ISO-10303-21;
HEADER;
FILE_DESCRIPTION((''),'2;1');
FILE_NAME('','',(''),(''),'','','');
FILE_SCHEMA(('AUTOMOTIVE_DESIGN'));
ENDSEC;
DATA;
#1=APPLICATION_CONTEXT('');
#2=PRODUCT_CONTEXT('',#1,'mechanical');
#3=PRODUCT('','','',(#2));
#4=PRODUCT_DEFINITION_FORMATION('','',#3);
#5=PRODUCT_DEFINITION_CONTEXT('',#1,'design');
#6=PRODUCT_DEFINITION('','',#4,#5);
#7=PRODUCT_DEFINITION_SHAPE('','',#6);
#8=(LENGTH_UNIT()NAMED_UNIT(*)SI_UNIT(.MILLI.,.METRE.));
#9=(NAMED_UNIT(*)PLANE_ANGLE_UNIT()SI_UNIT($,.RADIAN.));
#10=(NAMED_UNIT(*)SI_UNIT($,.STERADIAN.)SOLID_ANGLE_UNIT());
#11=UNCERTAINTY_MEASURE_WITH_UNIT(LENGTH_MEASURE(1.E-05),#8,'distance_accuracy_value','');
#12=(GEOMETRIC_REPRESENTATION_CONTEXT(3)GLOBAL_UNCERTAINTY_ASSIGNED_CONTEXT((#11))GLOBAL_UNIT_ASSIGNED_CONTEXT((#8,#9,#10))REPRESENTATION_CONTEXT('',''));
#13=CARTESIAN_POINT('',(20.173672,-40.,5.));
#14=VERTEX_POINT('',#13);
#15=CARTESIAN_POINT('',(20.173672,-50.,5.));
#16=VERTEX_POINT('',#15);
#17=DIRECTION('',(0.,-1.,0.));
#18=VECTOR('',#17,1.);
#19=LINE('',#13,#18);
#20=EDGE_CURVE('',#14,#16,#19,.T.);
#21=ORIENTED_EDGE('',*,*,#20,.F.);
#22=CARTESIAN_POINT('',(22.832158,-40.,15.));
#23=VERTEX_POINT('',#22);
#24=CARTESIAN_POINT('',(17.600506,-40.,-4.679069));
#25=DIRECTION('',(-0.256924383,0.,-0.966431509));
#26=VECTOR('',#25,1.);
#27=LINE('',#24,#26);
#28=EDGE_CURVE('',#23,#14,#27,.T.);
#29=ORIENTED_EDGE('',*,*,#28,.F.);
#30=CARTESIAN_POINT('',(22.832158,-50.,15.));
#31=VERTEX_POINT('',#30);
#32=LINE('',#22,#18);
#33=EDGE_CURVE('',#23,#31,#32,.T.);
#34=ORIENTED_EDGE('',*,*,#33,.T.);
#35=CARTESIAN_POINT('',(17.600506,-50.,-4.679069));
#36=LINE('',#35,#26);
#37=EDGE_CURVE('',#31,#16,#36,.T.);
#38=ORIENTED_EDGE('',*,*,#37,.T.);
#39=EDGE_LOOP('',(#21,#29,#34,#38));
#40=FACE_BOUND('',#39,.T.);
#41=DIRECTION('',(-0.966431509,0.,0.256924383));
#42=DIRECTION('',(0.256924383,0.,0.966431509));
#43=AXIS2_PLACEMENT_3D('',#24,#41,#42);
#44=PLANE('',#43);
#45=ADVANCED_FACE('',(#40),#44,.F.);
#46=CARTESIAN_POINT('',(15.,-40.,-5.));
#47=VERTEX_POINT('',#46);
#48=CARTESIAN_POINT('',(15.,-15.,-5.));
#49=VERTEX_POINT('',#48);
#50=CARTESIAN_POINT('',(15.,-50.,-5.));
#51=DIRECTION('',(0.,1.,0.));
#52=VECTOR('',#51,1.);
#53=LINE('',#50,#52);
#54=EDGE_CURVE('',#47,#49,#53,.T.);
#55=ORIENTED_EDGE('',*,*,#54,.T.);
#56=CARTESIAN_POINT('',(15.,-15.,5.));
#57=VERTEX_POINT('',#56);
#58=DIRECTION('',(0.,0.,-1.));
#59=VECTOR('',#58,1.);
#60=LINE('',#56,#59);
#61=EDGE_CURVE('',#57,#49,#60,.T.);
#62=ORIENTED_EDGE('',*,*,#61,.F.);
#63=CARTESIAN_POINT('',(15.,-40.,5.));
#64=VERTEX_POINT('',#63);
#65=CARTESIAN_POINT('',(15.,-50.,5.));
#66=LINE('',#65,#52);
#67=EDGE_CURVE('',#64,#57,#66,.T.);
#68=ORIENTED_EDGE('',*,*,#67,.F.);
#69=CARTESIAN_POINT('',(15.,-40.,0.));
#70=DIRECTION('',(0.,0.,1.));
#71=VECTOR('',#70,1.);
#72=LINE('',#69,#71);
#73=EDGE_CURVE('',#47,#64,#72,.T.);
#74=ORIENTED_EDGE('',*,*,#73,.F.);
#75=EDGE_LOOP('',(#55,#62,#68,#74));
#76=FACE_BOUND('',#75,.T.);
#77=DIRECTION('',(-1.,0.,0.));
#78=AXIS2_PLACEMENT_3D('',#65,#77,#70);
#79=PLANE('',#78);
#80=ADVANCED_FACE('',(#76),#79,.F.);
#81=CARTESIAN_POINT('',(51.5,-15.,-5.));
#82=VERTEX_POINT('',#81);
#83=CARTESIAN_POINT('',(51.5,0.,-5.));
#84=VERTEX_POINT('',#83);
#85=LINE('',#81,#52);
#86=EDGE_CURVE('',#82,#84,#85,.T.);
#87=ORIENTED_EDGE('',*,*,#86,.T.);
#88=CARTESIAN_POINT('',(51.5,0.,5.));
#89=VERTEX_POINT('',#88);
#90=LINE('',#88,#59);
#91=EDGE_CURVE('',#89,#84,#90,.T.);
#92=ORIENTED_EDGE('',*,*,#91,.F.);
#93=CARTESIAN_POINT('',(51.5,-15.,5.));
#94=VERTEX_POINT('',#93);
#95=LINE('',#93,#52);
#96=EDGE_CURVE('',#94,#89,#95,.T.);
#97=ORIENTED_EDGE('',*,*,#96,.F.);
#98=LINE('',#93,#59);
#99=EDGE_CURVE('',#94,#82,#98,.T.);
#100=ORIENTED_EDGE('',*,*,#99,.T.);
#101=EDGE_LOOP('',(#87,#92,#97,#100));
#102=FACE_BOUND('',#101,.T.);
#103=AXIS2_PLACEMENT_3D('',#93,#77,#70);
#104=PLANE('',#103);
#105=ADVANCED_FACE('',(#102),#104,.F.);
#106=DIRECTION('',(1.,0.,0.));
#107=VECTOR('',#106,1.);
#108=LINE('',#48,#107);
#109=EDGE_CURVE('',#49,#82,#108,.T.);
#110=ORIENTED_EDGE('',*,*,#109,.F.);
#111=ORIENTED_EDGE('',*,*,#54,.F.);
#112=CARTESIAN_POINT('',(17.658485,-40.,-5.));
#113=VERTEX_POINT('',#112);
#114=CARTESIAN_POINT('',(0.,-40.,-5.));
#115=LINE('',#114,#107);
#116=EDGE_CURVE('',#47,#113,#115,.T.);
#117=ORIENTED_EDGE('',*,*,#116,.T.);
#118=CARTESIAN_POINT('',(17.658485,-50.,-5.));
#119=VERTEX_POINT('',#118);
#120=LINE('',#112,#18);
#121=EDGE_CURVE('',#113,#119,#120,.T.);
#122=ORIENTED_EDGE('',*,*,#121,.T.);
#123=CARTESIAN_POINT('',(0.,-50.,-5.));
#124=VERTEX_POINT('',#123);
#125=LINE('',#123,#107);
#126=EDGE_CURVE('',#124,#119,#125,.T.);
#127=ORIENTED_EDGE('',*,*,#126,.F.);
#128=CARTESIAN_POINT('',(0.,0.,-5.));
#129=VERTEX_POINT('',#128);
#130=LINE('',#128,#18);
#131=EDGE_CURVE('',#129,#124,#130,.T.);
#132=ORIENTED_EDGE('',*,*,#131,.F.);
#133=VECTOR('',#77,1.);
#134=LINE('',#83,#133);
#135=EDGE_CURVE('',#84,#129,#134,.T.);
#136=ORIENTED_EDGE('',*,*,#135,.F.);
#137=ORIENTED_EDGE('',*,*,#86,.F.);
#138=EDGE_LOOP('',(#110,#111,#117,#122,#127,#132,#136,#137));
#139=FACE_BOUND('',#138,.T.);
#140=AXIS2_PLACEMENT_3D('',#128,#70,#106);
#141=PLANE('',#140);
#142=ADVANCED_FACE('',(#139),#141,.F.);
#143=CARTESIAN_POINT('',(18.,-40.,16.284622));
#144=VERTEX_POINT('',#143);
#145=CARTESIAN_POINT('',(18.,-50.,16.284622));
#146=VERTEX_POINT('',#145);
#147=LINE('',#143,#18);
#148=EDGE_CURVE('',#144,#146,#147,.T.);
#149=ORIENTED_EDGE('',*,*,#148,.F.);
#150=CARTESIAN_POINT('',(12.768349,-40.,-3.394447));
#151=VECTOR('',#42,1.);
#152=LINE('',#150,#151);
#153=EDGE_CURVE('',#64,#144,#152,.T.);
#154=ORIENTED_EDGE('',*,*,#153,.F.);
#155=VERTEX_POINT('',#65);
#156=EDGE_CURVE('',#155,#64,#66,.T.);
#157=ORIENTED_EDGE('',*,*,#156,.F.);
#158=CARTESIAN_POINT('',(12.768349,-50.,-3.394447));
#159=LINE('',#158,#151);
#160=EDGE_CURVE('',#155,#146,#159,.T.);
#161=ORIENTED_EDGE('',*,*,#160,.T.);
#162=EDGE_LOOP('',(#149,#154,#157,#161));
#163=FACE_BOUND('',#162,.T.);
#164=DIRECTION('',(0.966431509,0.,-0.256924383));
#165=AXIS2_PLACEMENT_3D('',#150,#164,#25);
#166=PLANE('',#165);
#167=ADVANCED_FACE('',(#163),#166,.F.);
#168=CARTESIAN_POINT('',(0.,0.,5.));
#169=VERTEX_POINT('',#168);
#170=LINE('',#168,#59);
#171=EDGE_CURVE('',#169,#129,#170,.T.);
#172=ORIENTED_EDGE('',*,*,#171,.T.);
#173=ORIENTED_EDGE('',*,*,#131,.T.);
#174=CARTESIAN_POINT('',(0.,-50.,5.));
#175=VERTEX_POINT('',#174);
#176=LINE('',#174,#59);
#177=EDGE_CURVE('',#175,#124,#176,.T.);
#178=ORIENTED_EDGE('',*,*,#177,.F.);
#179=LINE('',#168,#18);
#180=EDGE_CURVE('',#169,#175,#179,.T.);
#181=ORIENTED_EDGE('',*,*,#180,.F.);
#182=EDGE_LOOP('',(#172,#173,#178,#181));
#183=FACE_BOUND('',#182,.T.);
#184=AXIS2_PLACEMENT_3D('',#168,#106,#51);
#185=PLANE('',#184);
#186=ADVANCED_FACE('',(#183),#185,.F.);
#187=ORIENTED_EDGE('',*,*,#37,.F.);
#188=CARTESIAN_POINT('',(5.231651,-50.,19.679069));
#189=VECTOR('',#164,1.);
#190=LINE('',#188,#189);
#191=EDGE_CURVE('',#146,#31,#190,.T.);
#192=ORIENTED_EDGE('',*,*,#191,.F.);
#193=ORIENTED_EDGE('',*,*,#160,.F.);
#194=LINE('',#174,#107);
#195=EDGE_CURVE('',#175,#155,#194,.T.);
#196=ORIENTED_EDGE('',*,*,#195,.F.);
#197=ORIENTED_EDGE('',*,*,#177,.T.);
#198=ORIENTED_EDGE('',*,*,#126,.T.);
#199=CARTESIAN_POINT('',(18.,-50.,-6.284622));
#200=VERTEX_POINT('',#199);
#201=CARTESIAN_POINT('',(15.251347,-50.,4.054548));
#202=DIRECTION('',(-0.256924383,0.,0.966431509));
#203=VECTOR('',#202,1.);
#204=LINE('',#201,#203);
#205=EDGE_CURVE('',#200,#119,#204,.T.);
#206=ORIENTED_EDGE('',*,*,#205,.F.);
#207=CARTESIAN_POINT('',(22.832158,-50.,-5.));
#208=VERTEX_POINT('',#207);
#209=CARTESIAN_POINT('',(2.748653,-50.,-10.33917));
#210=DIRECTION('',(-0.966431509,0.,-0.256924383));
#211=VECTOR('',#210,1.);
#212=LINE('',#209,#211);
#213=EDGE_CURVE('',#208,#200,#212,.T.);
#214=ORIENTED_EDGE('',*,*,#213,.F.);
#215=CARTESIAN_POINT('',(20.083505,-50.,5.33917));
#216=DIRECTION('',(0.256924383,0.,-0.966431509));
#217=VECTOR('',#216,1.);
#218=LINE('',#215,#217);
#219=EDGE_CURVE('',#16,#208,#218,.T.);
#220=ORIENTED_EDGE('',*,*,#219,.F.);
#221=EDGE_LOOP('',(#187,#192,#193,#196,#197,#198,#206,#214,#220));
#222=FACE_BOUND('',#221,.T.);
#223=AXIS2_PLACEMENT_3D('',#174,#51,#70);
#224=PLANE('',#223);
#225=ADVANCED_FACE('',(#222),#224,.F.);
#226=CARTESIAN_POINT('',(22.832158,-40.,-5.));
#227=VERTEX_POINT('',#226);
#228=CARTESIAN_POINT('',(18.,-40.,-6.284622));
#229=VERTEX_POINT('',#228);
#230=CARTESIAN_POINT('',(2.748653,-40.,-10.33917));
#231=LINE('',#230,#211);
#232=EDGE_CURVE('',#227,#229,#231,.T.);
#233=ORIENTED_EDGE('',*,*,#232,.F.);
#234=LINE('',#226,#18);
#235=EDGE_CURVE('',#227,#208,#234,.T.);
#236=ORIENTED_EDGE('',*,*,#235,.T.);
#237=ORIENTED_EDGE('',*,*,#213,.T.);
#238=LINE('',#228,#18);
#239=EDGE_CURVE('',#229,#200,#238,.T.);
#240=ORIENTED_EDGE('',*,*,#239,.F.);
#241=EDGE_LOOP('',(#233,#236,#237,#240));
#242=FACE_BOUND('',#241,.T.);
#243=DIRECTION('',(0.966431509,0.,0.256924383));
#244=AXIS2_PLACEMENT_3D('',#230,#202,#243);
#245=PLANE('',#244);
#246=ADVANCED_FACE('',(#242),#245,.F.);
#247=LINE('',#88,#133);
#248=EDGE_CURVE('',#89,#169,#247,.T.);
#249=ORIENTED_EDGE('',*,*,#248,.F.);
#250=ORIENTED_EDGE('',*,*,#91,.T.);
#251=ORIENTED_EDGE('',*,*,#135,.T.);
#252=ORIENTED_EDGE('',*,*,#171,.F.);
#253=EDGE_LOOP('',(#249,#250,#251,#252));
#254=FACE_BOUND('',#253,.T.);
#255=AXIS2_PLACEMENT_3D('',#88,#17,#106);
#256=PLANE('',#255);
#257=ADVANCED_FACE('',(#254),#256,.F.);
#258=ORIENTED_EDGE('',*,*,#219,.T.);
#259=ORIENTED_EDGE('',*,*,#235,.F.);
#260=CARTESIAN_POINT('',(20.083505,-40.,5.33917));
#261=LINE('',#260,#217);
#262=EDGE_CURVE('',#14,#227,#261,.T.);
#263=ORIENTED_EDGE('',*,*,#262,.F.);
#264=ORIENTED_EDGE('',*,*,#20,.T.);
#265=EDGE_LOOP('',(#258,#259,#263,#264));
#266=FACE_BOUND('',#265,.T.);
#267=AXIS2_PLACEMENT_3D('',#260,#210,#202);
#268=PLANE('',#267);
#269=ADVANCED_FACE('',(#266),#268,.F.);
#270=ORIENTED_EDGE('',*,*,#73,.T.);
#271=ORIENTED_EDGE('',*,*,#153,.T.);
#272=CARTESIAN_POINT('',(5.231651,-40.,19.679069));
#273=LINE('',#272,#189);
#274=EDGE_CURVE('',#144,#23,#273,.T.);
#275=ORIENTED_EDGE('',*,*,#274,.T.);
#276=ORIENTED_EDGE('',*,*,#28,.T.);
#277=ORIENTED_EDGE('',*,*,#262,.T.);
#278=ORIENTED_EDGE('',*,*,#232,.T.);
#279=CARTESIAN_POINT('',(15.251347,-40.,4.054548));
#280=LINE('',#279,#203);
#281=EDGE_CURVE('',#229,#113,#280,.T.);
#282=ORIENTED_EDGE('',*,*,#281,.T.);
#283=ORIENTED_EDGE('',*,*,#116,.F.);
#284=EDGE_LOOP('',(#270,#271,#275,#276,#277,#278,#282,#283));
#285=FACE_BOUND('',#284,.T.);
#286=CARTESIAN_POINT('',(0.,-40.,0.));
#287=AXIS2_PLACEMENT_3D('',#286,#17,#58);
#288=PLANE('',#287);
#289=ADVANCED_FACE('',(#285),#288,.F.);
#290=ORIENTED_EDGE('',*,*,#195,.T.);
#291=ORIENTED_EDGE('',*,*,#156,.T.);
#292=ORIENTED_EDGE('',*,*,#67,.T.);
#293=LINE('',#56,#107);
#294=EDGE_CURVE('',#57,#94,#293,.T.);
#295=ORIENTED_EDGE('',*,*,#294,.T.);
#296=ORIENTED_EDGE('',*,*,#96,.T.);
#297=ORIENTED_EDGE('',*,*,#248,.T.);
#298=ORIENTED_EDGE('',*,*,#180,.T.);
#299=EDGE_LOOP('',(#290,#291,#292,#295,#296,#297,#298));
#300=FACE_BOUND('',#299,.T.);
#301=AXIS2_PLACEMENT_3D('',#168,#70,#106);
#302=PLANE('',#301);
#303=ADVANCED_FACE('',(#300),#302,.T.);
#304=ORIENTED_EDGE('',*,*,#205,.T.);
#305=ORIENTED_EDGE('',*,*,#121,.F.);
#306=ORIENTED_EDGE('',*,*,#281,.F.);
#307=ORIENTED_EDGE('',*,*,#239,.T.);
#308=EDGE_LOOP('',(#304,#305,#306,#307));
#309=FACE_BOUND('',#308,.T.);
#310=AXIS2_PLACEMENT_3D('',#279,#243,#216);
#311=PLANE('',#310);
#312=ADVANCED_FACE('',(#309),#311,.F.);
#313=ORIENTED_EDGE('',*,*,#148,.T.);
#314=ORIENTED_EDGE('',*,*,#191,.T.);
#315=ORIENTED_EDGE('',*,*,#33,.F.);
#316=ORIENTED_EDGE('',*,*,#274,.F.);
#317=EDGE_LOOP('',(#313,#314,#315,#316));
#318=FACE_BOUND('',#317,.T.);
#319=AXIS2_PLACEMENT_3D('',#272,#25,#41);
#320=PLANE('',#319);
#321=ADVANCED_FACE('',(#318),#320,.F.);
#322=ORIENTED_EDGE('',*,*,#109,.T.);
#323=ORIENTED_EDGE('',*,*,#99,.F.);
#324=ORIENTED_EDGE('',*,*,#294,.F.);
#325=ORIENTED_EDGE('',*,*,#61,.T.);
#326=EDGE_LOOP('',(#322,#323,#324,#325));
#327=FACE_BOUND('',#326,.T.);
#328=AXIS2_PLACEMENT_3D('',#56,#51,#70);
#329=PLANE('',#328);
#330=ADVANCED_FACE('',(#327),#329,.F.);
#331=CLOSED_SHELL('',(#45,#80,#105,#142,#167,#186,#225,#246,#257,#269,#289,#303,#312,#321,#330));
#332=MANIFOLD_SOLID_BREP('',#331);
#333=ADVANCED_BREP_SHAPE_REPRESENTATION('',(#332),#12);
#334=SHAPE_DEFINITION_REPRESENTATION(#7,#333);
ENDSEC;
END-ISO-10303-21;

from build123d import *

# Parameters (mm, degrees)
BOSS_EXTRUDE1_DEPTH = 5
BOSS_EXTRUDE2_DEPTH = 10


with BuildPart() as part:
    # Sketch1 → Boss-Extrude1 (new, symmetric)
    with BuildSketch(Plane.XY):
        Polygon((51.5, 0), (0, 0), (0, -50), (15, -50), (15, -15), (51.5, -15), align=None)
    extrude(amount=BOSS_EXTRUDE1_DEPTH, both=True)

    # Sketch2 → Boss-Extrude2 (add)
    with BuildSketch(Plane.XZ.offset(50)):
        Polygon((22.832157544, -5), (18, -6.284621916), (15, 5), (18, 16.284621916), (22.832157544, 15), (20.173672375, 5), align=None)
        Polygon((15, -5), (17.658485169, -5), (15, 5), align=None)
        Polygon((18, 16.284621916), (15, 5), (20.173672375, 5), (22.832157544, 15), align=None)
    extrude(amount=-BOSS_EXTRUDE2_DEPTH)


solid = part.part
